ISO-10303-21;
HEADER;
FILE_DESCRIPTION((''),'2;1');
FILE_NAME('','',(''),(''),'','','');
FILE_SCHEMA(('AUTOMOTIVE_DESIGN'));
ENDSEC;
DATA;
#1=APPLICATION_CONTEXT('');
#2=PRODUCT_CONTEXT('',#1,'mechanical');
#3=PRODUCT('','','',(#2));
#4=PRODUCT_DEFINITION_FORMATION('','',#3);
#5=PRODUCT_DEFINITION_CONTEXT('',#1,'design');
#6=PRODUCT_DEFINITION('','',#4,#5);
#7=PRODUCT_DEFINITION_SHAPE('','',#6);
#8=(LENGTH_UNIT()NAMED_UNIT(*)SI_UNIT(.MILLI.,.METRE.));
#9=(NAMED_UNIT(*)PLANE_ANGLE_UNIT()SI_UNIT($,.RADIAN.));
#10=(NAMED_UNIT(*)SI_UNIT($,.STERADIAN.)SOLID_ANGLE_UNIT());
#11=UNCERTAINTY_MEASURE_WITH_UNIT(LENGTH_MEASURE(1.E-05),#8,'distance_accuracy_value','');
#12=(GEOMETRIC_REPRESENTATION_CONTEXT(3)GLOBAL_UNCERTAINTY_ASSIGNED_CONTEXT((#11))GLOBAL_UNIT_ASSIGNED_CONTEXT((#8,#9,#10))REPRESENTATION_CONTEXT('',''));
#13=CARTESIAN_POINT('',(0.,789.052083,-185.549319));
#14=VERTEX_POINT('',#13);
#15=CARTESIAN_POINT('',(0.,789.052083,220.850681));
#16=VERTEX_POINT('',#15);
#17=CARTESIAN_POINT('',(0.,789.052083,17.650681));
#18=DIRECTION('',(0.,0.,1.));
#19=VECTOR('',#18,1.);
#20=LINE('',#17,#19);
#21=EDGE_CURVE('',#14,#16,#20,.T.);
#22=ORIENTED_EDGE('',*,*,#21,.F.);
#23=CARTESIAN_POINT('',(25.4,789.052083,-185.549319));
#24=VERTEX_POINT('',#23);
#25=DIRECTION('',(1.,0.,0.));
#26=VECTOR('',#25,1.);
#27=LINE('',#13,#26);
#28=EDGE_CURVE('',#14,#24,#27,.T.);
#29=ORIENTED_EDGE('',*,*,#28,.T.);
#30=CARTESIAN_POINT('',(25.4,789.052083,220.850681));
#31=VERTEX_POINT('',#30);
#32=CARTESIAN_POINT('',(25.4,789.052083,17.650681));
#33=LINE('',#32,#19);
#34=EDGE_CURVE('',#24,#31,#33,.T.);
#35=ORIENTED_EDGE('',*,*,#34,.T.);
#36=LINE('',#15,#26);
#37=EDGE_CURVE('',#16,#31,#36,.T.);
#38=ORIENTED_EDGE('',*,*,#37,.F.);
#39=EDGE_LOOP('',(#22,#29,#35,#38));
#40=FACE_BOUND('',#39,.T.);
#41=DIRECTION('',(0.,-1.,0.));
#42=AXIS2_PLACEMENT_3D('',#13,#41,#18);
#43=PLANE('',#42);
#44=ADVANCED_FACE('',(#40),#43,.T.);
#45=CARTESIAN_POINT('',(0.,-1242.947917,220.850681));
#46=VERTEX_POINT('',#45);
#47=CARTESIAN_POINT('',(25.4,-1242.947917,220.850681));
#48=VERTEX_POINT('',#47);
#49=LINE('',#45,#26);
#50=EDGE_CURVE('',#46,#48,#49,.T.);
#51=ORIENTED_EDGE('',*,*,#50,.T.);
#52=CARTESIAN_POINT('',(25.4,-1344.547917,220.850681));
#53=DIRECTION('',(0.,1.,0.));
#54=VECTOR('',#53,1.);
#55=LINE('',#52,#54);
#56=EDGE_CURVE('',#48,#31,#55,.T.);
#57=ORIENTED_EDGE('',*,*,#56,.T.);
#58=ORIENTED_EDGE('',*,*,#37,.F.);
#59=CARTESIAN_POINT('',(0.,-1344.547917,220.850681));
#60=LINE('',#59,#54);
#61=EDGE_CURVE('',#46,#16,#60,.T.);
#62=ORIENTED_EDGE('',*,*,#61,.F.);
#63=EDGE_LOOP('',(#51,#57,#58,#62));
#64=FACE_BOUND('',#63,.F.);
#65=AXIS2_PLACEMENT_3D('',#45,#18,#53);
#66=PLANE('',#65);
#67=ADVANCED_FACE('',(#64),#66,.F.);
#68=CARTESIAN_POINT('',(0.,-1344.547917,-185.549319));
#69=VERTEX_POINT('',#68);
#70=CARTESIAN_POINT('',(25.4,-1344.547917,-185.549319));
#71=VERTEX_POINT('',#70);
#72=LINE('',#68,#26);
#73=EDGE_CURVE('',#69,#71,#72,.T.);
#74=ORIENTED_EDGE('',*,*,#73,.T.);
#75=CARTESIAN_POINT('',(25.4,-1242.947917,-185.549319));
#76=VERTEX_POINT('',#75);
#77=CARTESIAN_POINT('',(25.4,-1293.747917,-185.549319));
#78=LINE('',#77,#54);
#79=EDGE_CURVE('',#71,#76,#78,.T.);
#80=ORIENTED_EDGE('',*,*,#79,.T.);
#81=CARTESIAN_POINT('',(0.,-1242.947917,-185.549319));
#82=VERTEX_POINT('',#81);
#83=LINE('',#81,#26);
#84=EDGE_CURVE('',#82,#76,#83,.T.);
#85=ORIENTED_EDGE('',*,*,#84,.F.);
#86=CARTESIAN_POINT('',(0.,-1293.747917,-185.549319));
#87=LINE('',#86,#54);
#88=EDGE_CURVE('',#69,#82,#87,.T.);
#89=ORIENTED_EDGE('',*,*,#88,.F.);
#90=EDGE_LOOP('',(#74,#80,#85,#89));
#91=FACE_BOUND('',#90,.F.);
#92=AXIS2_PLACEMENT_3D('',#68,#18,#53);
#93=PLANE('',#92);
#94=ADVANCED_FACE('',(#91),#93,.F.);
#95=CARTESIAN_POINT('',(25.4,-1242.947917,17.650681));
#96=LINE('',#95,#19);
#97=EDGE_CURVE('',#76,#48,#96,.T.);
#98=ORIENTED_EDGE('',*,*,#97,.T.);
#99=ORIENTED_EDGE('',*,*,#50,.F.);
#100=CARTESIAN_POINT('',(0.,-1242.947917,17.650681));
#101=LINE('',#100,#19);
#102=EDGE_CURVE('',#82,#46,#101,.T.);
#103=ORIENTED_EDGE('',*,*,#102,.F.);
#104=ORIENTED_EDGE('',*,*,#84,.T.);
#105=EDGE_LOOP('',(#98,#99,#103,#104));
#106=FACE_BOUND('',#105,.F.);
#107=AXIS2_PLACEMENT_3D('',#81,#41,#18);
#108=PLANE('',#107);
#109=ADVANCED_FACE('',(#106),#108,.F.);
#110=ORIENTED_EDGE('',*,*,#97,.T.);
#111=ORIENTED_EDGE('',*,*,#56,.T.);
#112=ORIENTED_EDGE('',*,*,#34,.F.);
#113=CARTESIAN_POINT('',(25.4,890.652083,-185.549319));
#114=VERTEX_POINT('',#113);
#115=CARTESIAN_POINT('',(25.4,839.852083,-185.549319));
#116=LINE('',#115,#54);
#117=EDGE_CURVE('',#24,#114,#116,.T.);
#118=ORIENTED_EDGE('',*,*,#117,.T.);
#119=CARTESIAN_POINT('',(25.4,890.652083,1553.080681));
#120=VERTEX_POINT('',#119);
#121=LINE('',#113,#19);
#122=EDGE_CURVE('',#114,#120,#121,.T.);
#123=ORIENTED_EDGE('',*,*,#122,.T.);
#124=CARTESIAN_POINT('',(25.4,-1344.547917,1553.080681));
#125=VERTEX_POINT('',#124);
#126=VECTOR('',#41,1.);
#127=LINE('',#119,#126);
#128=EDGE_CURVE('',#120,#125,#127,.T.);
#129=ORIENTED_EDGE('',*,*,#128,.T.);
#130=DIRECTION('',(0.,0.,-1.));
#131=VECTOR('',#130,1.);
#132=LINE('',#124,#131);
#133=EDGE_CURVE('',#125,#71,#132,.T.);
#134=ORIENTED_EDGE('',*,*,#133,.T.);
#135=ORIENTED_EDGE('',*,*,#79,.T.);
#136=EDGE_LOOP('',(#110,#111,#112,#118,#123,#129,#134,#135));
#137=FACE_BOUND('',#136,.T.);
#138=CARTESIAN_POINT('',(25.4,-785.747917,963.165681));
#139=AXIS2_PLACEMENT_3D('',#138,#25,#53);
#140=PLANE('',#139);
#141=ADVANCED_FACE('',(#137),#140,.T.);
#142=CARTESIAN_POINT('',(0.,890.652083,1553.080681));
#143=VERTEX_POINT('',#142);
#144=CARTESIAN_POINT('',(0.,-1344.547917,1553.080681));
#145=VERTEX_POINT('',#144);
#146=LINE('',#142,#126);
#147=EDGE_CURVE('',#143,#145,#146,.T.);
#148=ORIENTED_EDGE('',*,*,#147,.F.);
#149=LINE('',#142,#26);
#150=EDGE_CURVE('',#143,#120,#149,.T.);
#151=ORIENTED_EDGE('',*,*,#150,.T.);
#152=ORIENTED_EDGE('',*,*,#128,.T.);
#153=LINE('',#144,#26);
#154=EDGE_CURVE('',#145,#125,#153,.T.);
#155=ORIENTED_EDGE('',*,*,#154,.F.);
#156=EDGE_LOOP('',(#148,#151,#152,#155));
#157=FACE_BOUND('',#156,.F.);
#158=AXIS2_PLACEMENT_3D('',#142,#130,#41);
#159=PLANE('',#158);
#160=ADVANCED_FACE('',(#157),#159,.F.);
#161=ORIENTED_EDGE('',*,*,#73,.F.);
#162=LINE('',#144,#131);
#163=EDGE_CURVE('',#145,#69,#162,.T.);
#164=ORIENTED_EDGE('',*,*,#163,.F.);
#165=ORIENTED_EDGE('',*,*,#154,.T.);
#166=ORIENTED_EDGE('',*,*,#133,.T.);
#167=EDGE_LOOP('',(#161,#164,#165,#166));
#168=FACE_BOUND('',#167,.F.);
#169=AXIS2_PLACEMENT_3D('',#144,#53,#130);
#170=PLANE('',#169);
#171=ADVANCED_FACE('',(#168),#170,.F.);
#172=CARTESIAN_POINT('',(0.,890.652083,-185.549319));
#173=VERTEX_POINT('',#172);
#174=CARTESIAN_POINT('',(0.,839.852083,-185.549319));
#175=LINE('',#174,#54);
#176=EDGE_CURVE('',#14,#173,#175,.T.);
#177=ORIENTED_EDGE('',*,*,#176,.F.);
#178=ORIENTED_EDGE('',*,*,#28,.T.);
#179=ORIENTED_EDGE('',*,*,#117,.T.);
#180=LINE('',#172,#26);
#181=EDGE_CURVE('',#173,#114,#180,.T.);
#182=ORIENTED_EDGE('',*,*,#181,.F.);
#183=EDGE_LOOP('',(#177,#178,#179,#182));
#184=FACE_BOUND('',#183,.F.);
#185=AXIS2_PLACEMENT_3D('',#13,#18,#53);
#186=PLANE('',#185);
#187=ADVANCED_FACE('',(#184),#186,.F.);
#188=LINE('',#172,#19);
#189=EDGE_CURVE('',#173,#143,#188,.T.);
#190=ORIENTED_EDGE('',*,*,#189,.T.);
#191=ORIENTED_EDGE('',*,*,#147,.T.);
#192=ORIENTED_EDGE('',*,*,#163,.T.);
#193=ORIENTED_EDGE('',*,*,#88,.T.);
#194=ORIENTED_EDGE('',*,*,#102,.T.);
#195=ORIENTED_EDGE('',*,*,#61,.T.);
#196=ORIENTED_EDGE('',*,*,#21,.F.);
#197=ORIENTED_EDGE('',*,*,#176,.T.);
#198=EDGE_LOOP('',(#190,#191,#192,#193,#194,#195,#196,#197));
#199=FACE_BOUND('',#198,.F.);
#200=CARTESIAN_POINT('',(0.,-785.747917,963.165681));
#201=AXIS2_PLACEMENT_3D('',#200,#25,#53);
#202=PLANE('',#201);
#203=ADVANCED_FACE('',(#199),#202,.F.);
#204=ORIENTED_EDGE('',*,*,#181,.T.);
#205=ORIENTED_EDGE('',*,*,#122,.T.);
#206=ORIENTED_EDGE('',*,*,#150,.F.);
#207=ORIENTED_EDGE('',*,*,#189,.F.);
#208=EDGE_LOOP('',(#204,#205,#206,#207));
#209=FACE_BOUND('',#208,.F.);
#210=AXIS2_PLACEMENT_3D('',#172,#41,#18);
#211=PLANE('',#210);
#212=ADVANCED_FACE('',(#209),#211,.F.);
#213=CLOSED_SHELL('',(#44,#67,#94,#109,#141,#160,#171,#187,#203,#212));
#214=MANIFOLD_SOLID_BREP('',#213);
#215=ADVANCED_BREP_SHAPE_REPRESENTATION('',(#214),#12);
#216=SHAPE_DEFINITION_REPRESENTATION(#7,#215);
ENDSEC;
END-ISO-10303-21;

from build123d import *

# Parameters (mm, degrees)
F0_W     = 1117.6
F0_H     = 1179.83
F0_W_2   = 101.6
F0_H_2   = 406.4
F1_DEPTH = 25.4


with BuildPart() as f1:
    # F0 (on Right) → F1 (new body)
    with BuildSketch(Plane.YZ):
        with Locations((-785.747917, 963.165681)):
            Rectangle(F0_W, F0_H)
        Polygon((-226.947917, 373.250681), (-1344.547917, 373.250681), (-1344.547917, 220.850681), (-1242.947917, 220.850681), (789.052083, 220.850681), (890.652083, 220.850681), (890.652083, 373.250681), align=None)
        with Locations((331.852083, 963.165681)):
            Rectangle(F0_W, F0_H)
        with Locations((-1293.747917, 17.650681)):
            Rectangle(F0_W_2, F0_H_2)
        with Locations((839.852083, 17.650681)):
            Rectangle(F0_W_2, F0_H_2)
    extrude(amount=F1_DEPTH)


solid = f1.part
